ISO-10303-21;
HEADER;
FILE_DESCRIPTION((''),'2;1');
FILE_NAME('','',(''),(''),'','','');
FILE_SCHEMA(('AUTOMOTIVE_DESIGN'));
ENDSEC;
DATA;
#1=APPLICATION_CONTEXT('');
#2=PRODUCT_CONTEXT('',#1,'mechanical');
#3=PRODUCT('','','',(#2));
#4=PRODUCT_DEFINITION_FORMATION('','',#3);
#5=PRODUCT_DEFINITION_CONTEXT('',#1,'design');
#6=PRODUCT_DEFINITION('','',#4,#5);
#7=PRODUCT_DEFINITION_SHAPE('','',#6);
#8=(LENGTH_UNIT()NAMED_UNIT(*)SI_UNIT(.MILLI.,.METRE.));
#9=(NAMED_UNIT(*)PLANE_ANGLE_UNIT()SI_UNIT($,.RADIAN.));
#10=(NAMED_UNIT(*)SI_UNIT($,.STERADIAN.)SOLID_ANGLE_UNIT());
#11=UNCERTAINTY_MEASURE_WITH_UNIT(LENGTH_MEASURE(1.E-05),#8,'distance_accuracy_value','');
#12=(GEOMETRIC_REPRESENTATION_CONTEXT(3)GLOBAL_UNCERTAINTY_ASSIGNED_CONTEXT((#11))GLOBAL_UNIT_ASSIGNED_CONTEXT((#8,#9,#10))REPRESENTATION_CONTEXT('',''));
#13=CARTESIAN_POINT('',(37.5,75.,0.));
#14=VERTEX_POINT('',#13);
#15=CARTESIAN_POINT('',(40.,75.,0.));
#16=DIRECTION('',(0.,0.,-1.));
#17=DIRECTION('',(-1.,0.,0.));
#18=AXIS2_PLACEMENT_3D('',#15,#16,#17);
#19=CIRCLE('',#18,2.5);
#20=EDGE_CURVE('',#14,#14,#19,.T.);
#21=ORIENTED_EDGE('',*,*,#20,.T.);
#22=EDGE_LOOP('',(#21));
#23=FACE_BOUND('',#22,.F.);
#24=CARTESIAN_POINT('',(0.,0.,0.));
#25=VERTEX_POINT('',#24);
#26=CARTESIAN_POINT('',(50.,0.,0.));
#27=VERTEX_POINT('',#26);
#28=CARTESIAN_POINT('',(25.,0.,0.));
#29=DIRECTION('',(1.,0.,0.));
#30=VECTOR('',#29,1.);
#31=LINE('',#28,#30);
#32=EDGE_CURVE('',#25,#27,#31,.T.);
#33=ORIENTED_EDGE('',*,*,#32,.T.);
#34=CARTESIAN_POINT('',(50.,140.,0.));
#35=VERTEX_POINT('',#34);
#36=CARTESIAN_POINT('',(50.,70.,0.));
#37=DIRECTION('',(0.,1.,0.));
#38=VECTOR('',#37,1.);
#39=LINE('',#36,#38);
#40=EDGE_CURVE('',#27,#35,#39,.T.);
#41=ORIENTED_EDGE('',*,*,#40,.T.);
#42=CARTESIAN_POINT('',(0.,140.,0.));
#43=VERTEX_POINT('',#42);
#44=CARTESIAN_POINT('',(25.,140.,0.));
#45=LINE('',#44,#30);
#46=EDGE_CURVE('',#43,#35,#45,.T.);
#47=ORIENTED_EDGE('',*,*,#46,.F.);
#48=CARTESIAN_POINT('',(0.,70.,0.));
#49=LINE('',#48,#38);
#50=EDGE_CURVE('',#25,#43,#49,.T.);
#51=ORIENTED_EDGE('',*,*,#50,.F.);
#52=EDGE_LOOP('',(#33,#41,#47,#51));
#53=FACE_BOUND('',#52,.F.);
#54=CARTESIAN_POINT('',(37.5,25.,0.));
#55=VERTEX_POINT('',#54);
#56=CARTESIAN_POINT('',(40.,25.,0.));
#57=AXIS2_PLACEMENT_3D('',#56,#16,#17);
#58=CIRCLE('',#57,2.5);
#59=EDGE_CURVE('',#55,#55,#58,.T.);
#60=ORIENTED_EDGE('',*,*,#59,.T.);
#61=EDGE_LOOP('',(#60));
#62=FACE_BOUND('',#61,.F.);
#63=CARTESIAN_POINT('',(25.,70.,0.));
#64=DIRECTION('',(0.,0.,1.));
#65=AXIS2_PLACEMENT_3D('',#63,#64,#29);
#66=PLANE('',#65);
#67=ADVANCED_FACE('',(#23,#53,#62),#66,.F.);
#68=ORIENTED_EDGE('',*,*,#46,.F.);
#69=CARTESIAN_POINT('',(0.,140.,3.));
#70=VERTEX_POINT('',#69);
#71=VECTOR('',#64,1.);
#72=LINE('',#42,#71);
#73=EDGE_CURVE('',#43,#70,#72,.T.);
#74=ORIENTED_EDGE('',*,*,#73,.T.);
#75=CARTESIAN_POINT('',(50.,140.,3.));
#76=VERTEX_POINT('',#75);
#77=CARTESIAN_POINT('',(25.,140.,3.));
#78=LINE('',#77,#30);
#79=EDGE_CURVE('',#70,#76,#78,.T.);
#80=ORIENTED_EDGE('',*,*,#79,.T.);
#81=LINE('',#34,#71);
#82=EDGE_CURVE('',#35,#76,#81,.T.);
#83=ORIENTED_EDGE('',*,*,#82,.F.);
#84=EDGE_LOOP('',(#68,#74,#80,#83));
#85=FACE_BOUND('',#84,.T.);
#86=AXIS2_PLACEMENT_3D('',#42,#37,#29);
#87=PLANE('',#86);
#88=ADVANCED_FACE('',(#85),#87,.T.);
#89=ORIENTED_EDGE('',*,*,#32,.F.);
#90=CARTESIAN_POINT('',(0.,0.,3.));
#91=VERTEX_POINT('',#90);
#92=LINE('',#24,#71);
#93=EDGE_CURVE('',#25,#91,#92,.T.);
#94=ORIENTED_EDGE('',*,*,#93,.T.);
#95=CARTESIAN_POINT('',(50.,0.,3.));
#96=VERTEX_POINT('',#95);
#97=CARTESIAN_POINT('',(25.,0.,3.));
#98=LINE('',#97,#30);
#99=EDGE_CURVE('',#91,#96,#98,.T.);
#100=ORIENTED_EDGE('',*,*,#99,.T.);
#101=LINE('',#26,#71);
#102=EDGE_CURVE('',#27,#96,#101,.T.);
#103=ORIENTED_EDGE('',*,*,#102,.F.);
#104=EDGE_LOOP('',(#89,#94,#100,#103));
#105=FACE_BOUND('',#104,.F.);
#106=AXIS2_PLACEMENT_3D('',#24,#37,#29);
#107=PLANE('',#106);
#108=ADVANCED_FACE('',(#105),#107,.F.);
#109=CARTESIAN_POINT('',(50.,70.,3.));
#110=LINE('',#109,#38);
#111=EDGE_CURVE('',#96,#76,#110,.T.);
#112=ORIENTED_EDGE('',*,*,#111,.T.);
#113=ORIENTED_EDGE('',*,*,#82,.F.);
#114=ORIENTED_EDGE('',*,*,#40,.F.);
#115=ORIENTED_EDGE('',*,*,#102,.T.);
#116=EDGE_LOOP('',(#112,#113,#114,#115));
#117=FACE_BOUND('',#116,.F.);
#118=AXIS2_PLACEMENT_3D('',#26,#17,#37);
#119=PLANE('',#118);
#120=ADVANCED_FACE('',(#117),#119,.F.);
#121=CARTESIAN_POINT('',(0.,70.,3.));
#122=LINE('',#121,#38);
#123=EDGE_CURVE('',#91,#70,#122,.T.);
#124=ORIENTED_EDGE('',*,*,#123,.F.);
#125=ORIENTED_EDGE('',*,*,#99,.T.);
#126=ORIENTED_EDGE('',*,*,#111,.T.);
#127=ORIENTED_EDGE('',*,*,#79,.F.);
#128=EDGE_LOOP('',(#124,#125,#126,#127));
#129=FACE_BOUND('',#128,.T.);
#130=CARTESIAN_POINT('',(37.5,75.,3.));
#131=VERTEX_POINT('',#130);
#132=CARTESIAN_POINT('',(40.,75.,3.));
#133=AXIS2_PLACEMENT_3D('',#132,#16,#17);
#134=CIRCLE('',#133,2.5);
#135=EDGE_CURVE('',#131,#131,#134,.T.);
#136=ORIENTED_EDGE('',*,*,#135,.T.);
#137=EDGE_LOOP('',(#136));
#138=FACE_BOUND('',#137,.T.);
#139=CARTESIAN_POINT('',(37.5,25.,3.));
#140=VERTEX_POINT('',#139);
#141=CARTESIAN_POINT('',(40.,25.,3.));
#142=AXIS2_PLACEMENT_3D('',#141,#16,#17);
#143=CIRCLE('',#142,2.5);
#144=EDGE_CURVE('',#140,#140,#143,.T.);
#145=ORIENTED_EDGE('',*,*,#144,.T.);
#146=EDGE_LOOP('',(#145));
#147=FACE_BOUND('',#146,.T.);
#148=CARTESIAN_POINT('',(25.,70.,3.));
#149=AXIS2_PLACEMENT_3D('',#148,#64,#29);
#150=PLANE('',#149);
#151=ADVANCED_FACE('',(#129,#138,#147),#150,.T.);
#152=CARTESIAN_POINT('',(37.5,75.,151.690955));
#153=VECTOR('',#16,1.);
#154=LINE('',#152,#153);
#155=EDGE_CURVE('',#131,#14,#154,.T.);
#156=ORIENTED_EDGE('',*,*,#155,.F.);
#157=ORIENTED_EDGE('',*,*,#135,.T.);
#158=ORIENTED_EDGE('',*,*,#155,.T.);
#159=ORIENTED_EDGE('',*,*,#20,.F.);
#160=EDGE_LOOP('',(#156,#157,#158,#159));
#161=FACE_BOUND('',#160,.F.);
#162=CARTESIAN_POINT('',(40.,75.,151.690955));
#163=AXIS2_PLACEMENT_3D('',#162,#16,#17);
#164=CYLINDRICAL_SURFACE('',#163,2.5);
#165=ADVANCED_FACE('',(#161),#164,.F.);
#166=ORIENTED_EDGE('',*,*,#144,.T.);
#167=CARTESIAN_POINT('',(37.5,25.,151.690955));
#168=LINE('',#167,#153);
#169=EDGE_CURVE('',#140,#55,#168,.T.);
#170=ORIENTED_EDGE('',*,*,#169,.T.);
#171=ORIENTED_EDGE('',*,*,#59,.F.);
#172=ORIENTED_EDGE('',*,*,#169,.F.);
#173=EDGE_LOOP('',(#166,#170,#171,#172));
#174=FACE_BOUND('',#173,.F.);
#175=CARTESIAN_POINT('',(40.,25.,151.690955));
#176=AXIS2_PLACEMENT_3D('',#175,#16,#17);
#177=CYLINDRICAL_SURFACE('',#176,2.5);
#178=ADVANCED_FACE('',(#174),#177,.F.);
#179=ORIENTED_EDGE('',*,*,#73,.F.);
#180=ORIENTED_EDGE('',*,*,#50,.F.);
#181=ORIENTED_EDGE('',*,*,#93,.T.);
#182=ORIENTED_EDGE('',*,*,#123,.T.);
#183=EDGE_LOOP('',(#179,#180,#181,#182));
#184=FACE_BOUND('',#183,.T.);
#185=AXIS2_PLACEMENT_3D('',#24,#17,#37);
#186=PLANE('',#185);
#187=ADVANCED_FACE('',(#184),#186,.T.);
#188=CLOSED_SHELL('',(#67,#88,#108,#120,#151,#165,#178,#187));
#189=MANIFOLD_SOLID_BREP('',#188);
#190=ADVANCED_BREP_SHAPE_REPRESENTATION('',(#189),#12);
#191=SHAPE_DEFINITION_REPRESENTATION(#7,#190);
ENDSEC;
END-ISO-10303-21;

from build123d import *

# Parameters (mm, degrees)
F0_W     = 50
F0_H     = 140
F1_DEPTH = 3
F4_D     = 5


with BuildPart() as f1:
    # F0 (on Top) → F1 (new body)
    with BuildSketch(Plane.XY):
        with Locations((25, 70)):
            Rectangle(F0_W, F0_H)
    extrude(amount=F1_DEPTH)

    # F4 (through all)
    with Locations(Plane.XY.offset(3)):
        with Locations((40, 75), (40, 25)):
            Hole(F4_D / 2)


solid = f1.part
